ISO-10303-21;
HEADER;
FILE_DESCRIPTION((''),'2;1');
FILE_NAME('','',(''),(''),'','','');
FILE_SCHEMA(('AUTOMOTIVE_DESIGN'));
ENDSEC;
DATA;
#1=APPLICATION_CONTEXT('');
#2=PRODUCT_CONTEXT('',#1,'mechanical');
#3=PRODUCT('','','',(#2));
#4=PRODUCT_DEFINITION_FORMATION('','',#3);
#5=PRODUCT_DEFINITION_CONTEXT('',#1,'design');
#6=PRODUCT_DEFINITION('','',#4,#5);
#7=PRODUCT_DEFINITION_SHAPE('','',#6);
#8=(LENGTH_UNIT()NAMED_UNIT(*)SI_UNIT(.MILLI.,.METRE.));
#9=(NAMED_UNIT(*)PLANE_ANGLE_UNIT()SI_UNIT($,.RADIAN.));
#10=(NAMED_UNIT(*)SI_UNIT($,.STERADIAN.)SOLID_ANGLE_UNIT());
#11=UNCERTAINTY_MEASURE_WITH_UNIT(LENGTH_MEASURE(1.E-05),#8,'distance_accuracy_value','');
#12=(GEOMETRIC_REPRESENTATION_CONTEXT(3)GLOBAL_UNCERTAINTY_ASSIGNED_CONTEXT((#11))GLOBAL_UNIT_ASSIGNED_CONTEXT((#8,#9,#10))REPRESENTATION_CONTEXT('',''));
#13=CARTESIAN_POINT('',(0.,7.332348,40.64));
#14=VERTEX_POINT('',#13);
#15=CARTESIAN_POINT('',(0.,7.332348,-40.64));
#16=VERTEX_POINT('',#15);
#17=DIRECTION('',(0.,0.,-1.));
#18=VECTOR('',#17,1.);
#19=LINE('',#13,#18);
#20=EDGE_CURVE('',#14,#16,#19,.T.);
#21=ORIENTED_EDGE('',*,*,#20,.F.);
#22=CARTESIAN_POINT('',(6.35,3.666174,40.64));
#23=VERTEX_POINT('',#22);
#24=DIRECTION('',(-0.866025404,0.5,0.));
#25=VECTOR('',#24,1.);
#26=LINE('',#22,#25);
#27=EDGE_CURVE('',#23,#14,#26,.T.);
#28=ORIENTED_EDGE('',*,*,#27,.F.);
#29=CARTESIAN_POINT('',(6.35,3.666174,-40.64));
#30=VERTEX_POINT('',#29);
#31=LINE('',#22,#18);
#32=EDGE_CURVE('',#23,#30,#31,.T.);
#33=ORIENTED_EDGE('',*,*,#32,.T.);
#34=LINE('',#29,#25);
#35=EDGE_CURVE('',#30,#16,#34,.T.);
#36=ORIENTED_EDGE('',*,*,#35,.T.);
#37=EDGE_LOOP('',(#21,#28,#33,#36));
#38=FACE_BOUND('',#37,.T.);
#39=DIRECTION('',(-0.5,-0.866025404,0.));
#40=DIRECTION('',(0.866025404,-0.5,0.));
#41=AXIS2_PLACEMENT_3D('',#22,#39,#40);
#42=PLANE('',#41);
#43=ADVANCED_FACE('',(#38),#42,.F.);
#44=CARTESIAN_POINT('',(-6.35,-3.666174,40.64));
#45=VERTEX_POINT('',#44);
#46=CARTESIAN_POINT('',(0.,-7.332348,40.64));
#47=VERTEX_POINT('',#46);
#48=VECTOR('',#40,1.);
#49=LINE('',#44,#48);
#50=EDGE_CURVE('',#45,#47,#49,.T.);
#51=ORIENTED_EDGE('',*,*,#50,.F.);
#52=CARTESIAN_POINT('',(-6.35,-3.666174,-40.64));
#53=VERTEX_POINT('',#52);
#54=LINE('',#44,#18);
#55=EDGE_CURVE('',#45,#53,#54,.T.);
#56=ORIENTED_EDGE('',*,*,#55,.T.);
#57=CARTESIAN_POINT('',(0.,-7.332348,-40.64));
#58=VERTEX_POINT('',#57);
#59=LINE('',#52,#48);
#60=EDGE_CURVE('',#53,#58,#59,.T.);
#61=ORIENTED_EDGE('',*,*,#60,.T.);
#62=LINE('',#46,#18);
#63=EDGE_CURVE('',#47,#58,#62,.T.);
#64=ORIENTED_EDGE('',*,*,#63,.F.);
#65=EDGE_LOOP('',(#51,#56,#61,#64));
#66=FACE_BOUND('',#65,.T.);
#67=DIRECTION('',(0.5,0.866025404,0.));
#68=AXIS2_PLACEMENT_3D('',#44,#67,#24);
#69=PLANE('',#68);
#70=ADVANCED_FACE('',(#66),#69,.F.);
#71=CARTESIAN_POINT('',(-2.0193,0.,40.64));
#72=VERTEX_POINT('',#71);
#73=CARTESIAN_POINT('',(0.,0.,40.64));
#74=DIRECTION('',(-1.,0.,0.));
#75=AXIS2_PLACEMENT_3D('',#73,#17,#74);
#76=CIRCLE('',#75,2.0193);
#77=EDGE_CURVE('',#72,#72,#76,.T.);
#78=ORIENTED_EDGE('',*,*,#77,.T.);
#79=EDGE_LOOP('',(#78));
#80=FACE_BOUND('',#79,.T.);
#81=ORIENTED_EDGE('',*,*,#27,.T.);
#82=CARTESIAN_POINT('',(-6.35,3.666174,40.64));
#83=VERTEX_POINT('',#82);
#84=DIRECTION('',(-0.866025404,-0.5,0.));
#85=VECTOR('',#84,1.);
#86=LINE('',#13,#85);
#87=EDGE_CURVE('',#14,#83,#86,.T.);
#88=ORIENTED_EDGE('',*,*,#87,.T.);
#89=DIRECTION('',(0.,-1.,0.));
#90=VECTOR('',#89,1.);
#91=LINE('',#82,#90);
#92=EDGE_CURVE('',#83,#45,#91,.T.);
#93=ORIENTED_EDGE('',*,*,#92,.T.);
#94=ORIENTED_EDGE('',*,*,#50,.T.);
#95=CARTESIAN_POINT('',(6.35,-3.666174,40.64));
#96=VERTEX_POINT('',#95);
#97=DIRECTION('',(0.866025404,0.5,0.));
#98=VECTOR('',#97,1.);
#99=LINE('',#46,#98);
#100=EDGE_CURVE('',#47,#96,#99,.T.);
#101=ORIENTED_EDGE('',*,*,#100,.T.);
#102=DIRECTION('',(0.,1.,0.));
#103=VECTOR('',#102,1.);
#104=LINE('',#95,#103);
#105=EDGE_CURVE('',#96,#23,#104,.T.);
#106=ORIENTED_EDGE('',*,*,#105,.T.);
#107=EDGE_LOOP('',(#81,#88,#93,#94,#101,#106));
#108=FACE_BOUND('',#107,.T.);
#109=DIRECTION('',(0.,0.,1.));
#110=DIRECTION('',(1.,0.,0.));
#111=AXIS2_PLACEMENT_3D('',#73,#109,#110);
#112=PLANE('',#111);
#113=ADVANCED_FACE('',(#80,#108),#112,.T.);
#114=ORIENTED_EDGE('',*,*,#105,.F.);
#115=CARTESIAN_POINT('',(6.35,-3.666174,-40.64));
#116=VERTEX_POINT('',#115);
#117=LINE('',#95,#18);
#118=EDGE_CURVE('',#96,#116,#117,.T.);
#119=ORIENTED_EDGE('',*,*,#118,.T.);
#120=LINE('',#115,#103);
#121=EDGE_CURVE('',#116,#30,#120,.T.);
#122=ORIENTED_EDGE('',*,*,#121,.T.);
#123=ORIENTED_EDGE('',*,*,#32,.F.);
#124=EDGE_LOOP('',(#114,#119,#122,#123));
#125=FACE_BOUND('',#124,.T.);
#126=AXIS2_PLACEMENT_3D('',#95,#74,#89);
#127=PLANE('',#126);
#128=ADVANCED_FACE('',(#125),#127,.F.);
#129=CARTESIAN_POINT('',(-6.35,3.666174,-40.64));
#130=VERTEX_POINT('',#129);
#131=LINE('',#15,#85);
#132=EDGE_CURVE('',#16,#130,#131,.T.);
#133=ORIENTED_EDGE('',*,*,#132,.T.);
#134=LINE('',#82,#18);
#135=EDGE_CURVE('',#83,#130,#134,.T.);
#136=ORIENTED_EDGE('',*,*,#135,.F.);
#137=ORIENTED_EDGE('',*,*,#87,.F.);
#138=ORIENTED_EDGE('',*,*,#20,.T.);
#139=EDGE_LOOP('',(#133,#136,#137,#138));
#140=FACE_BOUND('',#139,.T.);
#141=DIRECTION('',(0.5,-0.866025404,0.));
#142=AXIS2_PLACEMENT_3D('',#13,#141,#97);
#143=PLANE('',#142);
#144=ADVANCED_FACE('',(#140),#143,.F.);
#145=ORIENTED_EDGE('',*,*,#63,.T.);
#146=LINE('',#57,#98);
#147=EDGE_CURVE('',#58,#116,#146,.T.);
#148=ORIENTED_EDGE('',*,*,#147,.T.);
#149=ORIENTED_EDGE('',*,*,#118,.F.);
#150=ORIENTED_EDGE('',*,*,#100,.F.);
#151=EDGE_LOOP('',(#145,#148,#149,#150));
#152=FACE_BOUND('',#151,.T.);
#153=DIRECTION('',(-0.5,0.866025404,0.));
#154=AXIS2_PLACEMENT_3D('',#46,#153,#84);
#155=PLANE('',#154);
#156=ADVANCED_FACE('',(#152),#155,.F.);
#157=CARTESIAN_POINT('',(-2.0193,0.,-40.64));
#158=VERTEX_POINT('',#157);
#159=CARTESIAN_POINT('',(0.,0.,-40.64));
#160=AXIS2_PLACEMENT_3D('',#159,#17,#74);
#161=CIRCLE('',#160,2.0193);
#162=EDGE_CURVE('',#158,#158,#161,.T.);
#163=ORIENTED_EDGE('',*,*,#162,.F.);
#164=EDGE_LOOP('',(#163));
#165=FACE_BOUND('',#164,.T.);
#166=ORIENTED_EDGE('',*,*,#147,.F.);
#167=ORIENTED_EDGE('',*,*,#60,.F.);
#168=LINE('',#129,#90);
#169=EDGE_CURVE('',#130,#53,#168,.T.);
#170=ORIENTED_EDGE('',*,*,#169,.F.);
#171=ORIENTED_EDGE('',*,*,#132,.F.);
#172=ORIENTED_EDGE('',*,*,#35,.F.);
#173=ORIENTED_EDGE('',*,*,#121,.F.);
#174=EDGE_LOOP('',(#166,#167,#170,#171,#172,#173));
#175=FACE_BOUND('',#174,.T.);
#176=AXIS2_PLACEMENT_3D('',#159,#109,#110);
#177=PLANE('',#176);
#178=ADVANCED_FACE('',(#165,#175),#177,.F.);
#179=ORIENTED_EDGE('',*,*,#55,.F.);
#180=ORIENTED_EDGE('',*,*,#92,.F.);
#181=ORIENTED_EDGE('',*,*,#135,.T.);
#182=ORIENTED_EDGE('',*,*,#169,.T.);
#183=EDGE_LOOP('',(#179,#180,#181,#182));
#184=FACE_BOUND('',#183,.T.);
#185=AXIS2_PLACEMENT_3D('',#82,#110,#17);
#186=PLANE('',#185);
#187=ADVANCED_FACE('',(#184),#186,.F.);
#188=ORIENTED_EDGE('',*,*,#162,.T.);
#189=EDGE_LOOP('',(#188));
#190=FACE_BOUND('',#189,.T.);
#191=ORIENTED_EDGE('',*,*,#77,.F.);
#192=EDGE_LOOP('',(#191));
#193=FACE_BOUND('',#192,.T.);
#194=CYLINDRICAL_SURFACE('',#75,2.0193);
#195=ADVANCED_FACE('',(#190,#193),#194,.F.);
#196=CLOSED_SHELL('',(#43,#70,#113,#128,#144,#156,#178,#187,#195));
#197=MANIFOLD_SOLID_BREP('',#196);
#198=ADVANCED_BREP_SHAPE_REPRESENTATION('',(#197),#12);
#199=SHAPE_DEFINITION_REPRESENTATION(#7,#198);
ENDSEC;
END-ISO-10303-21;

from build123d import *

# Parameters (mm, degrees)
BOSS_EXTRUDE1_DEPTH = 40.64
SKETCH2_R           = 2.0193
CUT_EXTRUDE1_DEPTH  = 82.856729921


with BuildPart() as part:
    # Sketch1 → Boss-Extrude1 (new, symmetric)
    with BuildSketch(Plane.XY):
        Polygon((0, 7.332348419), (-6.35, 3.666174209), (-6.35, -3.666174209), (0, -7.332348419), (6.35, -3.666174209), (6.35, 3.666174209), align=None)
    extrude(amount=BOSS_EXTRUDE1_DEPTH, both=True)

    # Sketch2 → Cut-Extrude1 (cut, through all)
    with BuildSketch(Plane(origin=(0, 0, -40.64), x_dir=(-1, 0, 0), z_dir=(0, 0, -1))):
        Circle(SKETCH2_R)
    extrude(amount=-CUT_EXTRUDE1_DEPTH, mode=Mode.SUBTRACT)


solid = part.part
